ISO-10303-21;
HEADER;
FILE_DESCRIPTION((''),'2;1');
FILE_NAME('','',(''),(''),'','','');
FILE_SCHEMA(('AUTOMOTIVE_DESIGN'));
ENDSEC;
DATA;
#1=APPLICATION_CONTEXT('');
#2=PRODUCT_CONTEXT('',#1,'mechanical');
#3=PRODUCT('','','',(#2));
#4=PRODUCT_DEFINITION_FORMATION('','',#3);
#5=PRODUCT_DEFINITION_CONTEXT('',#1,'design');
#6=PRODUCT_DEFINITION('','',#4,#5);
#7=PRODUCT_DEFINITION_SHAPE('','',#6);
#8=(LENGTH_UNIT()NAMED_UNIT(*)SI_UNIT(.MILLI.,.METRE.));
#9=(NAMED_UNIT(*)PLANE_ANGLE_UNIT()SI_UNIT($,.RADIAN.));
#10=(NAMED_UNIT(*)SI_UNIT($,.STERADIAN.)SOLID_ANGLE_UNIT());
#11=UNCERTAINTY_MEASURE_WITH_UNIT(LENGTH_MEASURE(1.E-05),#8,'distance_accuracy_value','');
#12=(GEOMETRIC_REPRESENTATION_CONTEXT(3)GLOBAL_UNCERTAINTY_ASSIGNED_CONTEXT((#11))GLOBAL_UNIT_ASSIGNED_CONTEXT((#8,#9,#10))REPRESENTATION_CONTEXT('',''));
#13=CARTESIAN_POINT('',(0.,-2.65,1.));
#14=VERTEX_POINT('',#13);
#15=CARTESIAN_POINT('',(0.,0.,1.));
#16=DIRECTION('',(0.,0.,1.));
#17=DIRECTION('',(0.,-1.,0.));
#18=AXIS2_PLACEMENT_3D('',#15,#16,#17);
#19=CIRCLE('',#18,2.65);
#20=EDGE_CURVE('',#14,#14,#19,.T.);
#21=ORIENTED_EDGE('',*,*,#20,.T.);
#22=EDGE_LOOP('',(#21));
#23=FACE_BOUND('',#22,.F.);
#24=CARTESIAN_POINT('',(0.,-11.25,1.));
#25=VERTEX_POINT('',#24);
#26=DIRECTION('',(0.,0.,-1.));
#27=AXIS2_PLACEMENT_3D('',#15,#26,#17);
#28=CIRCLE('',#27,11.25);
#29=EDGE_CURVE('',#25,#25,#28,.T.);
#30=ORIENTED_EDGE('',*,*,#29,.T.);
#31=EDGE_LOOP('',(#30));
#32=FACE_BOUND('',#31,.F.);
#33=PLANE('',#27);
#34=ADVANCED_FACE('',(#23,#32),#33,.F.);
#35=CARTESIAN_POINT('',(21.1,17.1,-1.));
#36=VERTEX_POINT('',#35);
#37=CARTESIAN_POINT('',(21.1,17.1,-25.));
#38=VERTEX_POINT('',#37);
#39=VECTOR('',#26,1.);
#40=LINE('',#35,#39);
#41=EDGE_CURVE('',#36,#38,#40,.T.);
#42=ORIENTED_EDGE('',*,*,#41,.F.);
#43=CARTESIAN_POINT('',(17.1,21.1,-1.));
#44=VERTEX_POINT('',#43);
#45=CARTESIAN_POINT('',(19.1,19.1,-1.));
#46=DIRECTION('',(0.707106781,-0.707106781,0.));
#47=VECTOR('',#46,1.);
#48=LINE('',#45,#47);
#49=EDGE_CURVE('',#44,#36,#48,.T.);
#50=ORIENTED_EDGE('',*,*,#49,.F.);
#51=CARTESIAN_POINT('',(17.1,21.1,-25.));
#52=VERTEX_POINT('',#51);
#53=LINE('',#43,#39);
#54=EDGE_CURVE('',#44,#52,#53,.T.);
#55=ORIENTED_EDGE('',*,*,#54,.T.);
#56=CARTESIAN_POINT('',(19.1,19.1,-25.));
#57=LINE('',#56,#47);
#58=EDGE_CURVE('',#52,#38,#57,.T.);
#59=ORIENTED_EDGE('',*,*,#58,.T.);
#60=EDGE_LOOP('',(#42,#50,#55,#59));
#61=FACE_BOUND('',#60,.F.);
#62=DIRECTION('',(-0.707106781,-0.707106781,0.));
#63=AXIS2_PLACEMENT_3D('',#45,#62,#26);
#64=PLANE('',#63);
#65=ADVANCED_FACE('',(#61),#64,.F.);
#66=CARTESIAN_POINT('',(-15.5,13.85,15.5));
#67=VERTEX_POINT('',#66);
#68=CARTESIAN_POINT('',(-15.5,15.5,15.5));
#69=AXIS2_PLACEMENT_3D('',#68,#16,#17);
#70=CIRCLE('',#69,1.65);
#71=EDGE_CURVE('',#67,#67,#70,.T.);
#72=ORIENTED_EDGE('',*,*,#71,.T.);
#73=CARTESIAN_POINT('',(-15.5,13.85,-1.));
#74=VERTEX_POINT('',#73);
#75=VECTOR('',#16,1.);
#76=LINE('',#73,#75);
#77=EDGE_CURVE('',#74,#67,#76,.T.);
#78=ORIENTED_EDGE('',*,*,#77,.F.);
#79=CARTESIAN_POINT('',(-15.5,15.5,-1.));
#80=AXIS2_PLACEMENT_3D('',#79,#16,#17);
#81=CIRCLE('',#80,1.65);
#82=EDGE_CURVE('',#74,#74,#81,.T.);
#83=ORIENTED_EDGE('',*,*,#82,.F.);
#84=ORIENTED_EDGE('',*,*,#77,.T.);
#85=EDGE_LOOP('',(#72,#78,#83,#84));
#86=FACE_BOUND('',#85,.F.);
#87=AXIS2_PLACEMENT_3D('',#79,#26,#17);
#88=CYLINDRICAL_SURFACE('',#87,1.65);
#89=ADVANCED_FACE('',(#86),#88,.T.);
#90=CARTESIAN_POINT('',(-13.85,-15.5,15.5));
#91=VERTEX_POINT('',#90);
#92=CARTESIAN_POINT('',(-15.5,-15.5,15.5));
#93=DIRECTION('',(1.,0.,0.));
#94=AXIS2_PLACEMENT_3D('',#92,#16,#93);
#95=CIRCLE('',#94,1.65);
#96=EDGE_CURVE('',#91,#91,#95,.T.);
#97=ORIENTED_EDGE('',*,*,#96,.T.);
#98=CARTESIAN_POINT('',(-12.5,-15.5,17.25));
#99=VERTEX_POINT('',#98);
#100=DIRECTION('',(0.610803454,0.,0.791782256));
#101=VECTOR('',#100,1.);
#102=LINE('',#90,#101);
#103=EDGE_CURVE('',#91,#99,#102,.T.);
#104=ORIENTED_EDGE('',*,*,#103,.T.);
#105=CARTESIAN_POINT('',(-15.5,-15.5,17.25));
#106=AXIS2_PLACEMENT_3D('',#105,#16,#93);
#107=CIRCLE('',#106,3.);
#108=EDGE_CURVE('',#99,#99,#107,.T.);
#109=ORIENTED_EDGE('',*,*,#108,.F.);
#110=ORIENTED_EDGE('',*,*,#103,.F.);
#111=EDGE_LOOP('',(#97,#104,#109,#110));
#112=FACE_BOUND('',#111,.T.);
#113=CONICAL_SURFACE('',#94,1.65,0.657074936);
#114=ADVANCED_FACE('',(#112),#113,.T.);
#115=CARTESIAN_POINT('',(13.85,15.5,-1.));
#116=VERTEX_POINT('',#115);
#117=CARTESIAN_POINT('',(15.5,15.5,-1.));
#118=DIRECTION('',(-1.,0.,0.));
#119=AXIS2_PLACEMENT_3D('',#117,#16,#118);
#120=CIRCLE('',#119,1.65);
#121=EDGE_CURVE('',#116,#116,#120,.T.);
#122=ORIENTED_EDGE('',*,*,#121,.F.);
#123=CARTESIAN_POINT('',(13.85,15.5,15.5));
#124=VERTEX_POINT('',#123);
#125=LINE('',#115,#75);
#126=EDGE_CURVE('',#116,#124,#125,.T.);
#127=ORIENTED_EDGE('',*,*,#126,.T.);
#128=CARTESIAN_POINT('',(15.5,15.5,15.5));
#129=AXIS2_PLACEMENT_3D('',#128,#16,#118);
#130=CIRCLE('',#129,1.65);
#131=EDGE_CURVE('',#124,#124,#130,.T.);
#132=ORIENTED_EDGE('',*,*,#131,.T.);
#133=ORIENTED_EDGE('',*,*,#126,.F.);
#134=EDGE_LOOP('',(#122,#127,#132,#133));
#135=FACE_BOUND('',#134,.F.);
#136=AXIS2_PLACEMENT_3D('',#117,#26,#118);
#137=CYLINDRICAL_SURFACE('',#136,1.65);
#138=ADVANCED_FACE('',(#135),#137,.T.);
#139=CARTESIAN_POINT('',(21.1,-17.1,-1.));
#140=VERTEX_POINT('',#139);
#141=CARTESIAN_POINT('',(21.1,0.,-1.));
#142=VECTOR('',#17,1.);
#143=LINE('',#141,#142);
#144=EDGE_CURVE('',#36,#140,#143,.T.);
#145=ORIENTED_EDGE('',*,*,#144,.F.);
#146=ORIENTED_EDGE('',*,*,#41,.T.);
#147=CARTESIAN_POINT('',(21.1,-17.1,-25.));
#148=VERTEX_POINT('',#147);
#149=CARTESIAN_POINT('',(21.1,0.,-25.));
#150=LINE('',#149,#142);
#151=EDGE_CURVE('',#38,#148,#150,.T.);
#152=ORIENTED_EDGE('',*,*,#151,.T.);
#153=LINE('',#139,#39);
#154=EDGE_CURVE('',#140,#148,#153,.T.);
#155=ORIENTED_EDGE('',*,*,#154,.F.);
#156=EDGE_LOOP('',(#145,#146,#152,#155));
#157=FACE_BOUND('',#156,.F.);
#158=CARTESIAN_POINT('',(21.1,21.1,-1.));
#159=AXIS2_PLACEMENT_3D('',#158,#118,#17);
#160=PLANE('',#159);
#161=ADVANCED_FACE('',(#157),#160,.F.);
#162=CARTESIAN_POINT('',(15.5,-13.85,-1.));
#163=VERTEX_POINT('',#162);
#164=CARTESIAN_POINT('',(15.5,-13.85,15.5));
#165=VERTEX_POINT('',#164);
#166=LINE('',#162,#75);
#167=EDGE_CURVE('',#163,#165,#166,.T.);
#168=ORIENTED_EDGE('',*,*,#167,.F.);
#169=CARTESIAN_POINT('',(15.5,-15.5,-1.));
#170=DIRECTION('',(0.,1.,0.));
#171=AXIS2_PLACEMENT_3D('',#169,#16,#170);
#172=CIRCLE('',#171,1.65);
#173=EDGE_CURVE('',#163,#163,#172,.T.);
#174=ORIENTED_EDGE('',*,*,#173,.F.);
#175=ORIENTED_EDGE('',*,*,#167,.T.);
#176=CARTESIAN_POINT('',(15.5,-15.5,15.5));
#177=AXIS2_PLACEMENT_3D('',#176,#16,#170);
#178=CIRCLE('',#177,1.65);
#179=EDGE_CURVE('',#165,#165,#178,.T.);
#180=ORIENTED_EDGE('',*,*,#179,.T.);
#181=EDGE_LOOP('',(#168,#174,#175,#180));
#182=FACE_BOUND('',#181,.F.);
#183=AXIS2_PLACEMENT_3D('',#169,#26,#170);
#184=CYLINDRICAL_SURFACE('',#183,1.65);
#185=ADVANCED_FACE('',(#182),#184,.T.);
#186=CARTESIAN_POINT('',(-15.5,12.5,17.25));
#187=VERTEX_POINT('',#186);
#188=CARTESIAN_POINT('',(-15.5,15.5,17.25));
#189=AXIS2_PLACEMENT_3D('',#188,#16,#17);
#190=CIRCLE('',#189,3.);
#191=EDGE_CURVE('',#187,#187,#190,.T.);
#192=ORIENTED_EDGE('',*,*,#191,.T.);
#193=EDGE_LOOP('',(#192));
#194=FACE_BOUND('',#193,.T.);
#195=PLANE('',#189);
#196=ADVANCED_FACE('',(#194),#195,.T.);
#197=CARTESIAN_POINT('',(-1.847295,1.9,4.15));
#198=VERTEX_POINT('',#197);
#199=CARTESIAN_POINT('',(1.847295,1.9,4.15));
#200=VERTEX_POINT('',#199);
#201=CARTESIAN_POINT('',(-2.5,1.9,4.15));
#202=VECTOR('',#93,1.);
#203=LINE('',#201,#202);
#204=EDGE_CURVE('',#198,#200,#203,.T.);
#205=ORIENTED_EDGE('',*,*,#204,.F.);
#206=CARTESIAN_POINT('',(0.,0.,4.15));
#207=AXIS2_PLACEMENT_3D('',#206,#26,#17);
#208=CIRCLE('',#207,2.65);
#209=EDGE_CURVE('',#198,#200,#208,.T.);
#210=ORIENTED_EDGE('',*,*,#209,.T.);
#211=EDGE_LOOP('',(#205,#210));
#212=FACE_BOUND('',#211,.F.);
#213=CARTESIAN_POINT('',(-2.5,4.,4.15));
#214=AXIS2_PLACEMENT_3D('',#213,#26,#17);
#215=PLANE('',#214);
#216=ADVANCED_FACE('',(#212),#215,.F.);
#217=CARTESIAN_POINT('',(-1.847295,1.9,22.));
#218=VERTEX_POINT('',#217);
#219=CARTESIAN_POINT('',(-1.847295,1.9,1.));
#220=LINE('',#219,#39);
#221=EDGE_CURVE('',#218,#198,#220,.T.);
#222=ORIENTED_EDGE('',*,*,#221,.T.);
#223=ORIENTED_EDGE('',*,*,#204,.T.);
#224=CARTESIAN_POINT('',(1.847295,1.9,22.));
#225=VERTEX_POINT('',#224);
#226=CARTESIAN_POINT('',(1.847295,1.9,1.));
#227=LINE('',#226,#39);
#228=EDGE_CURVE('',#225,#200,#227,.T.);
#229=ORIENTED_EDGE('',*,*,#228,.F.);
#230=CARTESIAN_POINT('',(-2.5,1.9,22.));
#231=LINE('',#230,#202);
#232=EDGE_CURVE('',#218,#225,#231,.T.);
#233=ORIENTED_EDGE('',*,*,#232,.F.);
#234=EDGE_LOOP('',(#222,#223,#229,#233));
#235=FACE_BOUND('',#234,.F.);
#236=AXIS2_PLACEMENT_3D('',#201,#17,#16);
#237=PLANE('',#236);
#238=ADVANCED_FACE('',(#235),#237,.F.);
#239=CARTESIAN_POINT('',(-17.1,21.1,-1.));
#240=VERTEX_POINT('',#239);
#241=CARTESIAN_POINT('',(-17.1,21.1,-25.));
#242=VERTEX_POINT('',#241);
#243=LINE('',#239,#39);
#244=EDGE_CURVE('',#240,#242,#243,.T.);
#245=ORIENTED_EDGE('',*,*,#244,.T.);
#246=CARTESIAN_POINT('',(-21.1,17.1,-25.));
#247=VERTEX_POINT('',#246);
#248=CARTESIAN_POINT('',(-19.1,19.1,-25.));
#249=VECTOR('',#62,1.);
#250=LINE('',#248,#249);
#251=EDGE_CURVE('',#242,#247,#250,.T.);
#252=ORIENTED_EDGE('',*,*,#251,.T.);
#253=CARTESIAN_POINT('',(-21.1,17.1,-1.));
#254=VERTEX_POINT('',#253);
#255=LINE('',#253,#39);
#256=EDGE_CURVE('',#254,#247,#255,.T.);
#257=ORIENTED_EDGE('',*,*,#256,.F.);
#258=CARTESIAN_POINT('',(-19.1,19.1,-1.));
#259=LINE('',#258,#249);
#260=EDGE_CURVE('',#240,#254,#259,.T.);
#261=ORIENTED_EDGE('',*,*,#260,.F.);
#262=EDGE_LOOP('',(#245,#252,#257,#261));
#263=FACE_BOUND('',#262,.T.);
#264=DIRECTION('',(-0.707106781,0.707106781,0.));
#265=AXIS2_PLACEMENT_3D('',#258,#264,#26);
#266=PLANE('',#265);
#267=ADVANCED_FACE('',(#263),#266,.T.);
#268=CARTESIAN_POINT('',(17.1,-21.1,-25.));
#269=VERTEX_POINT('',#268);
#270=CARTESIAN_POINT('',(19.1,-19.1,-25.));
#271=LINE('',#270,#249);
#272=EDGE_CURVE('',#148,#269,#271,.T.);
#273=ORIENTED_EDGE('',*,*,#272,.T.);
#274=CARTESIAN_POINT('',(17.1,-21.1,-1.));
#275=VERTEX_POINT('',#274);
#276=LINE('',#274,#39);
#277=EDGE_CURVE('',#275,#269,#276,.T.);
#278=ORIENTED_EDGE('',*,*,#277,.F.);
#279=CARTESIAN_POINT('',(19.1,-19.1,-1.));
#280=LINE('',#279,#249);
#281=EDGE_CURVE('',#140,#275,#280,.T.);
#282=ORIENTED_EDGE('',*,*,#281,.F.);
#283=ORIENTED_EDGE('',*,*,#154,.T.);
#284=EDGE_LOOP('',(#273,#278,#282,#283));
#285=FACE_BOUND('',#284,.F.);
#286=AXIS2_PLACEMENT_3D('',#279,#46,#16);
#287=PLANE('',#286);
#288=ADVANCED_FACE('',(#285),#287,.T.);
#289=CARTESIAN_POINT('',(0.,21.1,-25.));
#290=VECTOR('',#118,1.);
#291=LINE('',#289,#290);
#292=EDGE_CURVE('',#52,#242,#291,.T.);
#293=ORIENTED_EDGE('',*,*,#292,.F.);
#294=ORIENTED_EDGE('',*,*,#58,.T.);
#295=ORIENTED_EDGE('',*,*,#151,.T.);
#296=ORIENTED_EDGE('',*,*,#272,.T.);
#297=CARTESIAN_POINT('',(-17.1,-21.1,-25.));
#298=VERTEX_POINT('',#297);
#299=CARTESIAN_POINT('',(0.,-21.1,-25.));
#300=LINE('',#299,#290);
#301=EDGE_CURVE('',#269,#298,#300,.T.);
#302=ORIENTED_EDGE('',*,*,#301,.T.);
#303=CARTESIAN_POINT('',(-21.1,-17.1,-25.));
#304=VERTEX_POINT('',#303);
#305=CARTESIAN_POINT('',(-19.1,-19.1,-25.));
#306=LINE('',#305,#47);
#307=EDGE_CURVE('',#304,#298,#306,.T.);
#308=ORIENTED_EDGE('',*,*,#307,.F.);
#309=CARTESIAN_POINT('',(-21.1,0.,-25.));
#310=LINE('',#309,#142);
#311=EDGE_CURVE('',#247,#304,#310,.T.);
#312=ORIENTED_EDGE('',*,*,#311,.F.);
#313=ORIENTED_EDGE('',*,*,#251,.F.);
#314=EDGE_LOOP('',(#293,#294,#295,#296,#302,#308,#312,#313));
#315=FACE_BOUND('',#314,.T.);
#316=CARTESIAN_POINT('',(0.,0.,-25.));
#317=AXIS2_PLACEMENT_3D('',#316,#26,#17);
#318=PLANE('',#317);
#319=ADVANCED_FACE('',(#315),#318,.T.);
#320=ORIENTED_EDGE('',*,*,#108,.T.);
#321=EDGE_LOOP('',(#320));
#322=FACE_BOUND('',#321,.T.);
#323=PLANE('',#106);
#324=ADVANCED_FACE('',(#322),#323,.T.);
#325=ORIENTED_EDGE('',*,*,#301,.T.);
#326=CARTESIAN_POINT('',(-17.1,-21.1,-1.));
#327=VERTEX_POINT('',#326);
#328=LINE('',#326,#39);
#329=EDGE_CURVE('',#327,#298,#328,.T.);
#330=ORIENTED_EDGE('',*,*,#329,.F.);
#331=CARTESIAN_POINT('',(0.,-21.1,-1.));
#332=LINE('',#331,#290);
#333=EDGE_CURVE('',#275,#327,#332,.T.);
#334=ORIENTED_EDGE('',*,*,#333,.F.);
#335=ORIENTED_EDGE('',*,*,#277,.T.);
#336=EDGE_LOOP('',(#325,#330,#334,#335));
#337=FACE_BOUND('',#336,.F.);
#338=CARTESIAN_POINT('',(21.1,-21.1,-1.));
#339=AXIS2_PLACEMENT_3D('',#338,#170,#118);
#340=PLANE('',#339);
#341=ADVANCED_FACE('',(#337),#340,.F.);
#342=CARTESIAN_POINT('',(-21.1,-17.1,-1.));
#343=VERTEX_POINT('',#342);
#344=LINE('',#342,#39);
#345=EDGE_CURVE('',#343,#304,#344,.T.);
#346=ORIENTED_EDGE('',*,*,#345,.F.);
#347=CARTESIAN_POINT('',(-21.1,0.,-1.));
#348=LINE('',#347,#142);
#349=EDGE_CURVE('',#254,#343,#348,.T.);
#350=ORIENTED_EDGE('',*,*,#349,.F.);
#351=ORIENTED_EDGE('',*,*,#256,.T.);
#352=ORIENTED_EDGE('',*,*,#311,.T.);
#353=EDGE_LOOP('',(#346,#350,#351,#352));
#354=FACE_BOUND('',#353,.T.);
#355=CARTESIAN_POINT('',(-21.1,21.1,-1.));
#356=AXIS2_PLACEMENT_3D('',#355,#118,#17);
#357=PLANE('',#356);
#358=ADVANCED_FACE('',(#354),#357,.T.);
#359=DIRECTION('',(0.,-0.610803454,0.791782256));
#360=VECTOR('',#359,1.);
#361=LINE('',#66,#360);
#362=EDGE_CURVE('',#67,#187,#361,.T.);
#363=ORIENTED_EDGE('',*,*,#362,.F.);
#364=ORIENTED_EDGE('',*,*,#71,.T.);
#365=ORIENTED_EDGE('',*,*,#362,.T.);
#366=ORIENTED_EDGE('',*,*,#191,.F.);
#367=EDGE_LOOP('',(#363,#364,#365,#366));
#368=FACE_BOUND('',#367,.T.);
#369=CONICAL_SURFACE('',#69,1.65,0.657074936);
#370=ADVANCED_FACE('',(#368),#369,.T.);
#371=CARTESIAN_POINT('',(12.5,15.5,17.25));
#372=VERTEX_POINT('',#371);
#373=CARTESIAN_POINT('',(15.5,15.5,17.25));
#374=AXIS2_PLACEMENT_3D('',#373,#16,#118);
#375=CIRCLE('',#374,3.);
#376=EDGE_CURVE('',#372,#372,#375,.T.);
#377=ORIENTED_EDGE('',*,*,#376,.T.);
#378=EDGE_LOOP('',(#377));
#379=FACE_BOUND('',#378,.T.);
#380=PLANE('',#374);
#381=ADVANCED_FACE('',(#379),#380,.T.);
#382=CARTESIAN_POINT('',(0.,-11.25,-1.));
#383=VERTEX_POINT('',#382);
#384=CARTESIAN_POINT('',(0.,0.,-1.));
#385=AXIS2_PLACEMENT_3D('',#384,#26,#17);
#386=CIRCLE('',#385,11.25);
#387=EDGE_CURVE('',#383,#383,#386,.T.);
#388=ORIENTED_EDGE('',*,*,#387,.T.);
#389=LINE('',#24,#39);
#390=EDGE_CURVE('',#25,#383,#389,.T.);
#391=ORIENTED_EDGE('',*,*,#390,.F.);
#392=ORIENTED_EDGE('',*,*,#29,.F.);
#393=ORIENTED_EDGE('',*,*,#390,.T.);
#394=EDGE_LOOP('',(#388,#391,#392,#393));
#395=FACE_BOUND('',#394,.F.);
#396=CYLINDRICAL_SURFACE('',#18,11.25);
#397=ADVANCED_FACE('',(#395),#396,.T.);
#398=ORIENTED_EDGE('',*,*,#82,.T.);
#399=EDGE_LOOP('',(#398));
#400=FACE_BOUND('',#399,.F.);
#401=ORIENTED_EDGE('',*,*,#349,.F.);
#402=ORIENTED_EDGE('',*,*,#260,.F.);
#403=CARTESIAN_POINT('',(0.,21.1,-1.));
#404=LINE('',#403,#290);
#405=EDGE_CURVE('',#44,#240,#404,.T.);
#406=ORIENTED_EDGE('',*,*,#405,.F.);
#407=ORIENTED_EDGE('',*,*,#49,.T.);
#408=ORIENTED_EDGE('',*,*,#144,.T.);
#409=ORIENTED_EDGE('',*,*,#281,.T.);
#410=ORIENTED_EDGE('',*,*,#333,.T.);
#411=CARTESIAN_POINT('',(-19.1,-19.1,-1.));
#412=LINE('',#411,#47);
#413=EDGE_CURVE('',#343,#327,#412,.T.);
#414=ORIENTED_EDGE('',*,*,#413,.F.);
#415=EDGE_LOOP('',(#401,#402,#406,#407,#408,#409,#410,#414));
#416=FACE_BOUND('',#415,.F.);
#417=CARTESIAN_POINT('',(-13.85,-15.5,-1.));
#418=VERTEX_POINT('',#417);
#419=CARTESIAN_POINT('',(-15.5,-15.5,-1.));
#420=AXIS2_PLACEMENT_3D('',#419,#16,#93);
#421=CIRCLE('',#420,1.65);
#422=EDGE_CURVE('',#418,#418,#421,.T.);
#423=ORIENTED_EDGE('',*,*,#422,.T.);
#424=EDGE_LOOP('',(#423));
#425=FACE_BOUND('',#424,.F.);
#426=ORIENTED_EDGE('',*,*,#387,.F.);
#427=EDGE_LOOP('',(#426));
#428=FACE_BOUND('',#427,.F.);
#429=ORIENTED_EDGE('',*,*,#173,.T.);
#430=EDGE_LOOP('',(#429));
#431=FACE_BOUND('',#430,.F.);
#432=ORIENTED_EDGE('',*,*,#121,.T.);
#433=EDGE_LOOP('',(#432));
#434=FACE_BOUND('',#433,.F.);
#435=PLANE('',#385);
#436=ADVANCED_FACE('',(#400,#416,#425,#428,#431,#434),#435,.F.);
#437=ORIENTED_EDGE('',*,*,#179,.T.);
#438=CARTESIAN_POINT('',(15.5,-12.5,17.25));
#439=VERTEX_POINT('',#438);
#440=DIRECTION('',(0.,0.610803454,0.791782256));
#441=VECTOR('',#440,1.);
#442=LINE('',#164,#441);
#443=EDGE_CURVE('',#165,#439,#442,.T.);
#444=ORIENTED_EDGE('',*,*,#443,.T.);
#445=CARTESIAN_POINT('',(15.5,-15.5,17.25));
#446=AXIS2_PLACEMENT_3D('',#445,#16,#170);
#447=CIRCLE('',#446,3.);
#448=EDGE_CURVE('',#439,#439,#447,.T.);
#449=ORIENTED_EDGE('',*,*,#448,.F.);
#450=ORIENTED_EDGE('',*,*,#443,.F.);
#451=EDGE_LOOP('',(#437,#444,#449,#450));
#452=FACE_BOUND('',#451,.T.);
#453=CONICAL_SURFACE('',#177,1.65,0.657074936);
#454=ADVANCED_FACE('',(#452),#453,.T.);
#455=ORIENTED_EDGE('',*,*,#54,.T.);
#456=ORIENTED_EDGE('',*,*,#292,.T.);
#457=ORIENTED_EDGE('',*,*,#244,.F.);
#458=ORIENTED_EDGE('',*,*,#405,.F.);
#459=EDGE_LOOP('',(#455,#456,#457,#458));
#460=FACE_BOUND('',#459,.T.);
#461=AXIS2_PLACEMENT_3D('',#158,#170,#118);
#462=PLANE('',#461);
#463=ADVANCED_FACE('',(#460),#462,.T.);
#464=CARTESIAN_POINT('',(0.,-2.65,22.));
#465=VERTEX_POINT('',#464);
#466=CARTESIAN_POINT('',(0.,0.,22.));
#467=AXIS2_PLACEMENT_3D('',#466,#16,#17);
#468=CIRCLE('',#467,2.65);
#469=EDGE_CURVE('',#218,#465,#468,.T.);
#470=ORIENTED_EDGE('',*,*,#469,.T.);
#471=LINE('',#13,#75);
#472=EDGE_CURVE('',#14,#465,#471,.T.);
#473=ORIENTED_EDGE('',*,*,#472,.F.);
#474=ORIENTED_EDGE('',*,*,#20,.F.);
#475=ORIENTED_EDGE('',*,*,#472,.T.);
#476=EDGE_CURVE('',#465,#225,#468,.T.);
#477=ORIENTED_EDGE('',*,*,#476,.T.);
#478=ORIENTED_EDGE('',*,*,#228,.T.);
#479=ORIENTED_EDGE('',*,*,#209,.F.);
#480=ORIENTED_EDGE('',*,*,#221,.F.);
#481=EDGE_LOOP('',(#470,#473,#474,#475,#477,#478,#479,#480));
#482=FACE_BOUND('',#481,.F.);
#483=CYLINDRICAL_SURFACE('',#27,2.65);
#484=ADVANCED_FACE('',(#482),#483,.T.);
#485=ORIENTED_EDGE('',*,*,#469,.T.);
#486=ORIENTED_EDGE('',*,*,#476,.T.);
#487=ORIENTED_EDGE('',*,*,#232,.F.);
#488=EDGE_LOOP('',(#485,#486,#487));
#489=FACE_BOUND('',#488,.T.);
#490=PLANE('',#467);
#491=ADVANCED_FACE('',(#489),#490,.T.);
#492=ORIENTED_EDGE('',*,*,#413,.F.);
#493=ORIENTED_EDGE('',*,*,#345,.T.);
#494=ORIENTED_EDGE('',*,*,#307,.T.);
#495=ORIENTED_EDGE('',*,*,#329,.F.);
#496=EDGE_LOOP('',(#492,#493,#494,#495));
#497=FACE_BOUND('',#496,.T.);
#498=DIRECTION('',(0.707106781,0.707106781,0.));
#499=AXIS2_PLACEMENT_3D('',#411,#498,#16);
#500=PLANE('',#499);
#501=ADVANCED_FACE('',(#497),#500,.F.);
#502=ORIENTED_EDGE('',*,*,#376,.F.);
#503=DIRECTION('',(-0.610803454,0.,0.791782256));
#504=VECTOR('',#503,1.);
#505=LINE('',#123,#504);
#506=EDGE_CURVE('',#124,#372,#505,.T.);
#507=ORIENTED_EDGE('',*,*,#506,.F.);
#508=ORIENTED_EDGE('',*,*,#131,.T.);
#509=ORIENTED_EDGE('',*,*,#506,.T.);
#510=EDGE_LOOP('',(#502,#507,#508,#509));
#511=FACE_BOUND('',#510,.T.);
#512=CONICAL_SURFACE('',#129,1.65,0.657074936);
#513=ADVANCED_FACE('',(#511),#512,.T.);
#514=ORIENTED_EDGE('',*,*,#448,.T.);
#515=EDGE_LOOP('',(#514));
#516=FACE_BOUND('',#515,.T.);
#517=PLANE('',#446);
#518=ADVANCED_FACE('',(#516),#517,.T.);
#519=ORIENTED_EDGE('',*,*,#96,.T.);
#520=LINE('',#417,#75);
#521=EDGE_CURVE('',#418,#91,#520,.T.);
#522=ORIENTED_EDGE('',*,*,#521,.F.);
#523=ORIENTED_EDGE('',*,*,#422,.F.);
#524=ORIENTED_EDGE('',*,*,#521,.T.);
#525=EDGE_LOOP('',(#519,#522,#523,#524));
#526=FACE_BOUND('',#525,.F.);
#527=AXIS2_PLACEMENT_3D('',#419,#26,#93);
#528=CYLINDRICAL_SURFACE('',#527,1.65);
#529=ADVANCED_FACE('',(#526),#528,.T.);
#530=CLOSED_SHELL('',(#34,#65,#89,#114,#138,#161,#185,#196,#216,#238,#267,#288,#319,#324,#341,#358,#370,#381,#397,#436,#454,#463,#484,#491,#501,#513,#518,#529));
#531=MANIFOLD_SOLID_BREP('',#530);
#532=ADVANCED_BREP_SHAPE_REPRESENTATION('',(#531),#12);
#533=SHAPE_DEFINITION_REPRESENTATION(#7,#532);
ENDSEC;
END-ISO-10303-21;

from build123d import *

# Parameters (mm, degrees)
CYLINDER_R           = 2.65
CYLINDER_DEPTH       = 21
CYLINDER001_R        = 11.25
CYLINDER001_DEPTH    = 2
BOX_W                = 42.2
BOX_H                = 42.2
BOX_DEPTH            = 24
CHAMFER_SIZE         = 4
CYLINDER002_R        = 1.65
CYLINDER002_DEPTH    = 16.5
POLARPATTERN_COUNT   = 4
BOX001_W             = 17.85
BOX001_H             = 2.1
BOX001_DEPTH         = 5
BODY_PLACEMENT_ANGLE = 90


with BuildPart() as part:
    # Cylinder → Cylinder (join)
    with BuildSketch(Plane.XY):
        Circle(CYLINDER_R)
    extrude(amount=CYLINDER_DEPTH)

    # Cylinder001 → Cylinder001 (join)
    with BuildSketch(Plane(origin=(0, 0, 0), x_dir=(1, 0, 0), z_dir=(0, 0, -1))):
        Circle(CYLINDER001_R)
    extrude(amount=CYLINDER001_DEPTH)

    # Box → Box (join)
    with BuildSketch(Plane(origin=(-21.1, 21.1, -2), x_dir=(1, 0, 0), z_dir=(0, 0, -1))):
        with Locations((21.1, 21.1)):
            Rectangle(BOX_W, BOX_H)
    extrude(amount=BOX_DEPTH)

    # Chamfer
    chamfer_edges = [part.edges().sort_by_distance(p)[0] for p in [
        (-21.1, 21.1, -14),
        (-21.1, -21.1, -14),
        (21.1, -21.1, -14),
        (21.1, 21.1, -14),
    ]]
    chamfer(chamfer_edges, length=CHAMFER_SIZE)

    # Cylinder002 → Cylinder002 (join)
    with BuildSketch(Plane(origin=(-15.5, -15.5, -2), x_dir=(1, 0, 0), z_dir=(0, 0, 1))):
        Circle(CYLINDER002_R)
    cylinder002 = extrude(amount=CYLINDER002_DEPTH)

    # Cone → Cone (revolve)
    with BuildSketch(Plane(origin=(-15.5, -15.5, 14.5), x_dir=(1, 0, 0), z_dir=(0, -1, 0))):
        Polygon((0, 0), (1.65, 0), (3, 1.75), (0, 1.75), align=None)
    cone = revolve(axis=Axis((-15.5, -15.5, 14.5), (0, 0, 1)))

    # PolarPattern: Cylinder002, Cone ×4 about axis
    polarpattern_axis = Axis((0, 0, 0), (0, 0, 1))
    for i in range(1, POLARPATTERN_COUNT):
        add(cylinder002.rotate(polarpattern_axis, i * 360 / POLARPATTERN_COUNT))
        add(cone.rotate(polarpattern_axis, i * 360 / POLARPATTERN_COUNT))

    # Box001 → Box001 (cut)
    with BuildSketch(Plane(origin=(-4, -2.5, 3.15), x_dir=(0, 0, 1), z_dir=(0, 1, 0))):
        with Locations((8.925, 1.05)):
            Rectangle(BOX001_W, BOX001_H)
    extrude(amount=BOX001_DEPTH, mode=Mode.SUBTRACT)


with BuildPart() as part_1:
    # Body placement: moved
    add(part.part.moved(Location((0, 0, 1))).rotate(Axis((0, 0, 1), (0, 0, -1)), BODY_PLACEMENT_ANGLE))


solid = part_1.part
